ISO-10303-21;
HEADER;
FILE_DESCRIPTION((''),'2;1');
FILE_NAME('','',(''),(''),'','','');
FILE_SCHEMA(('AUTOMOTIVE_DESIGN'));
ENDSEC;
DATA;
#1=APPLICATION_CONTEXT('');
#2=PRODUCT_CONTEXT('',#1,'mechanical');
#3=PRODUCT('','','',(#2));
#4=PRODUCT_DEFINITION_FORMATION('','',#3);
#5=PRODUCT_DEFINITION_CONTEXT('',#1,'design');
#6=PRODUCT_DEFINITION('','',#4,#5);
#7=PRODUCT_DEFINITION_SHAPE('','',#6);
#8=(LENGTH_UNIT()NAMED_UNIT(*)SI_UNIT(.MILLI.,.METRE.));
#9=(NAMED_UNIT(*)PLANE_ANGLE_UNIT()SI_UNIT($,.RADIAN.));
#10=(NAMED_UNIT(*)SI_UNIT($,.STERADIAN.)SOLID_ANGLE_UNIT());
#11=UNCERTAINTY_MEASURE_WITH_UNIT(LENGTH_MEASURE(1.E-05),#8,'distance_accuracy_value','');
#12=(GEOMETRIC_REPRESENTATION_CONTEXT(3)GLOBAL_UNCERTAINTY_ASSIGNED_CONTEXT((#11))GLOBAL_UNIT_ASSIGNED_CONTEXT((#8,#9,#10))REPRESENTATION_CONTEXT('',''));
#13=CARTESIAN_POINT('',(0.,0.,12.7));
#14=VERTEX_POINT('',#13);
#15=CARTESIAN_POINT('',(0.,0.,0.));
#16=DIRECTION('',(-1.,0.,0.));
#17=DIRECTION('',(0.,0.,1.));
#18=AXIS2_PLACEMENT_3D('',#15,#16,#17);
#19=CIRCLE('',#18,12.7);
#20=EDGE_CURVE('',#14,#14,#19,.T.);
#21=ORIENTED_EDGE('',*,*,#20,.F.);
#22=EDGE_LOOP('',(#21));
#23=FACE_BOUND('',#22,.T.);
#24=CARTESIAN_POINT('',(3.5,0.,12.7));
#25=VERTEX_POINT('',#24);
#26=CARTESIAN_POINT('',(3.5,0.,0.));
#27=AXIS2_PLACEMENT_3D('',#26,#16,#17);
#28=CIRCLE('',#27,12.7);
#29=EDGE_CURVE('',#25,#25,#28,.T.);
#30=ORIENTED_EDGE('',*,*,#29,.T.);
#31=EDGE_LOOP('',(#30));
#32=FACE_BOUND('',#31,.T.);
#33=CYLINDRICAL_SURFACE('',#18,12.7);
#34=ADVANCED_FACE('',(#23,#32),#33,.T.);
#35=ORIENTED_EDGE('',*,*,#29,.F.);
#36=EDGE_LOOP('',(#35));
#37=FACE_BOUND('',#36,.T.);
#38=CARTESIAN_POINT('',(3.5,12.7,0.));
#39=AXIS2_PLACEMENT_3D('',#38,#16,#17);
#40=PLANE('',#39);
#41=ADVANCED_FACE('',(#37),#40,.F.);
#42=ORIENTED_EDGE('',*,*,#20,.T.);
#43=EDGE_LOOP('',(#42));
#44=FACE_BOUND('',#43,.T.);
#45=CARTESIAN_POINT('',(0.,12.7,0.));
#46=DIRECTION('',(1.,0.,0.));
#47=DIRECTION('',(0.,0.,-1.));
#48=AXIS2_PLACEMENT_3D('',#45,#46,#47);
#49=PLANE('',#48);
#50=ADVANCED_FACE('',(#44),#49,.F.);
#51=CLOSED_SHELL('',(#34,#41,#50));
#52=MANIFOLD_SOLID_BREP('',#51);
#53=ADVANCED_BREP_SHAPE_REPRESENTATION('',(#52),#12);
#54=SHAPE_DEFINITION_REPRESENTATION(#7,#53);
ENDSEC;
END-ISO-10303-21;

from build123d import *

# Parameters (mm, degrees)
SKETCH_1_W = 3.5
SKETCH_1_H = 12.7


with BuildPart() as part:
    # 草图1 → 旋转2 (revolve)
    with BuildSketch(Plane.XY, mode=Mode.PRIVATE) as revolve_2_sk:
        with Locations((1.75, 6.35)):
            Rectangle(SKETCH_1_W, SKETCH_1_H)
    revolve(revolve_2_sk.sketch.rotate(Axis((0, 0, 0), (1, 0, 0)), 90), axis=Axis((0, 0, 0), (1, 0, 0)))  # turned: the seam where the file's is


solid = part.part
